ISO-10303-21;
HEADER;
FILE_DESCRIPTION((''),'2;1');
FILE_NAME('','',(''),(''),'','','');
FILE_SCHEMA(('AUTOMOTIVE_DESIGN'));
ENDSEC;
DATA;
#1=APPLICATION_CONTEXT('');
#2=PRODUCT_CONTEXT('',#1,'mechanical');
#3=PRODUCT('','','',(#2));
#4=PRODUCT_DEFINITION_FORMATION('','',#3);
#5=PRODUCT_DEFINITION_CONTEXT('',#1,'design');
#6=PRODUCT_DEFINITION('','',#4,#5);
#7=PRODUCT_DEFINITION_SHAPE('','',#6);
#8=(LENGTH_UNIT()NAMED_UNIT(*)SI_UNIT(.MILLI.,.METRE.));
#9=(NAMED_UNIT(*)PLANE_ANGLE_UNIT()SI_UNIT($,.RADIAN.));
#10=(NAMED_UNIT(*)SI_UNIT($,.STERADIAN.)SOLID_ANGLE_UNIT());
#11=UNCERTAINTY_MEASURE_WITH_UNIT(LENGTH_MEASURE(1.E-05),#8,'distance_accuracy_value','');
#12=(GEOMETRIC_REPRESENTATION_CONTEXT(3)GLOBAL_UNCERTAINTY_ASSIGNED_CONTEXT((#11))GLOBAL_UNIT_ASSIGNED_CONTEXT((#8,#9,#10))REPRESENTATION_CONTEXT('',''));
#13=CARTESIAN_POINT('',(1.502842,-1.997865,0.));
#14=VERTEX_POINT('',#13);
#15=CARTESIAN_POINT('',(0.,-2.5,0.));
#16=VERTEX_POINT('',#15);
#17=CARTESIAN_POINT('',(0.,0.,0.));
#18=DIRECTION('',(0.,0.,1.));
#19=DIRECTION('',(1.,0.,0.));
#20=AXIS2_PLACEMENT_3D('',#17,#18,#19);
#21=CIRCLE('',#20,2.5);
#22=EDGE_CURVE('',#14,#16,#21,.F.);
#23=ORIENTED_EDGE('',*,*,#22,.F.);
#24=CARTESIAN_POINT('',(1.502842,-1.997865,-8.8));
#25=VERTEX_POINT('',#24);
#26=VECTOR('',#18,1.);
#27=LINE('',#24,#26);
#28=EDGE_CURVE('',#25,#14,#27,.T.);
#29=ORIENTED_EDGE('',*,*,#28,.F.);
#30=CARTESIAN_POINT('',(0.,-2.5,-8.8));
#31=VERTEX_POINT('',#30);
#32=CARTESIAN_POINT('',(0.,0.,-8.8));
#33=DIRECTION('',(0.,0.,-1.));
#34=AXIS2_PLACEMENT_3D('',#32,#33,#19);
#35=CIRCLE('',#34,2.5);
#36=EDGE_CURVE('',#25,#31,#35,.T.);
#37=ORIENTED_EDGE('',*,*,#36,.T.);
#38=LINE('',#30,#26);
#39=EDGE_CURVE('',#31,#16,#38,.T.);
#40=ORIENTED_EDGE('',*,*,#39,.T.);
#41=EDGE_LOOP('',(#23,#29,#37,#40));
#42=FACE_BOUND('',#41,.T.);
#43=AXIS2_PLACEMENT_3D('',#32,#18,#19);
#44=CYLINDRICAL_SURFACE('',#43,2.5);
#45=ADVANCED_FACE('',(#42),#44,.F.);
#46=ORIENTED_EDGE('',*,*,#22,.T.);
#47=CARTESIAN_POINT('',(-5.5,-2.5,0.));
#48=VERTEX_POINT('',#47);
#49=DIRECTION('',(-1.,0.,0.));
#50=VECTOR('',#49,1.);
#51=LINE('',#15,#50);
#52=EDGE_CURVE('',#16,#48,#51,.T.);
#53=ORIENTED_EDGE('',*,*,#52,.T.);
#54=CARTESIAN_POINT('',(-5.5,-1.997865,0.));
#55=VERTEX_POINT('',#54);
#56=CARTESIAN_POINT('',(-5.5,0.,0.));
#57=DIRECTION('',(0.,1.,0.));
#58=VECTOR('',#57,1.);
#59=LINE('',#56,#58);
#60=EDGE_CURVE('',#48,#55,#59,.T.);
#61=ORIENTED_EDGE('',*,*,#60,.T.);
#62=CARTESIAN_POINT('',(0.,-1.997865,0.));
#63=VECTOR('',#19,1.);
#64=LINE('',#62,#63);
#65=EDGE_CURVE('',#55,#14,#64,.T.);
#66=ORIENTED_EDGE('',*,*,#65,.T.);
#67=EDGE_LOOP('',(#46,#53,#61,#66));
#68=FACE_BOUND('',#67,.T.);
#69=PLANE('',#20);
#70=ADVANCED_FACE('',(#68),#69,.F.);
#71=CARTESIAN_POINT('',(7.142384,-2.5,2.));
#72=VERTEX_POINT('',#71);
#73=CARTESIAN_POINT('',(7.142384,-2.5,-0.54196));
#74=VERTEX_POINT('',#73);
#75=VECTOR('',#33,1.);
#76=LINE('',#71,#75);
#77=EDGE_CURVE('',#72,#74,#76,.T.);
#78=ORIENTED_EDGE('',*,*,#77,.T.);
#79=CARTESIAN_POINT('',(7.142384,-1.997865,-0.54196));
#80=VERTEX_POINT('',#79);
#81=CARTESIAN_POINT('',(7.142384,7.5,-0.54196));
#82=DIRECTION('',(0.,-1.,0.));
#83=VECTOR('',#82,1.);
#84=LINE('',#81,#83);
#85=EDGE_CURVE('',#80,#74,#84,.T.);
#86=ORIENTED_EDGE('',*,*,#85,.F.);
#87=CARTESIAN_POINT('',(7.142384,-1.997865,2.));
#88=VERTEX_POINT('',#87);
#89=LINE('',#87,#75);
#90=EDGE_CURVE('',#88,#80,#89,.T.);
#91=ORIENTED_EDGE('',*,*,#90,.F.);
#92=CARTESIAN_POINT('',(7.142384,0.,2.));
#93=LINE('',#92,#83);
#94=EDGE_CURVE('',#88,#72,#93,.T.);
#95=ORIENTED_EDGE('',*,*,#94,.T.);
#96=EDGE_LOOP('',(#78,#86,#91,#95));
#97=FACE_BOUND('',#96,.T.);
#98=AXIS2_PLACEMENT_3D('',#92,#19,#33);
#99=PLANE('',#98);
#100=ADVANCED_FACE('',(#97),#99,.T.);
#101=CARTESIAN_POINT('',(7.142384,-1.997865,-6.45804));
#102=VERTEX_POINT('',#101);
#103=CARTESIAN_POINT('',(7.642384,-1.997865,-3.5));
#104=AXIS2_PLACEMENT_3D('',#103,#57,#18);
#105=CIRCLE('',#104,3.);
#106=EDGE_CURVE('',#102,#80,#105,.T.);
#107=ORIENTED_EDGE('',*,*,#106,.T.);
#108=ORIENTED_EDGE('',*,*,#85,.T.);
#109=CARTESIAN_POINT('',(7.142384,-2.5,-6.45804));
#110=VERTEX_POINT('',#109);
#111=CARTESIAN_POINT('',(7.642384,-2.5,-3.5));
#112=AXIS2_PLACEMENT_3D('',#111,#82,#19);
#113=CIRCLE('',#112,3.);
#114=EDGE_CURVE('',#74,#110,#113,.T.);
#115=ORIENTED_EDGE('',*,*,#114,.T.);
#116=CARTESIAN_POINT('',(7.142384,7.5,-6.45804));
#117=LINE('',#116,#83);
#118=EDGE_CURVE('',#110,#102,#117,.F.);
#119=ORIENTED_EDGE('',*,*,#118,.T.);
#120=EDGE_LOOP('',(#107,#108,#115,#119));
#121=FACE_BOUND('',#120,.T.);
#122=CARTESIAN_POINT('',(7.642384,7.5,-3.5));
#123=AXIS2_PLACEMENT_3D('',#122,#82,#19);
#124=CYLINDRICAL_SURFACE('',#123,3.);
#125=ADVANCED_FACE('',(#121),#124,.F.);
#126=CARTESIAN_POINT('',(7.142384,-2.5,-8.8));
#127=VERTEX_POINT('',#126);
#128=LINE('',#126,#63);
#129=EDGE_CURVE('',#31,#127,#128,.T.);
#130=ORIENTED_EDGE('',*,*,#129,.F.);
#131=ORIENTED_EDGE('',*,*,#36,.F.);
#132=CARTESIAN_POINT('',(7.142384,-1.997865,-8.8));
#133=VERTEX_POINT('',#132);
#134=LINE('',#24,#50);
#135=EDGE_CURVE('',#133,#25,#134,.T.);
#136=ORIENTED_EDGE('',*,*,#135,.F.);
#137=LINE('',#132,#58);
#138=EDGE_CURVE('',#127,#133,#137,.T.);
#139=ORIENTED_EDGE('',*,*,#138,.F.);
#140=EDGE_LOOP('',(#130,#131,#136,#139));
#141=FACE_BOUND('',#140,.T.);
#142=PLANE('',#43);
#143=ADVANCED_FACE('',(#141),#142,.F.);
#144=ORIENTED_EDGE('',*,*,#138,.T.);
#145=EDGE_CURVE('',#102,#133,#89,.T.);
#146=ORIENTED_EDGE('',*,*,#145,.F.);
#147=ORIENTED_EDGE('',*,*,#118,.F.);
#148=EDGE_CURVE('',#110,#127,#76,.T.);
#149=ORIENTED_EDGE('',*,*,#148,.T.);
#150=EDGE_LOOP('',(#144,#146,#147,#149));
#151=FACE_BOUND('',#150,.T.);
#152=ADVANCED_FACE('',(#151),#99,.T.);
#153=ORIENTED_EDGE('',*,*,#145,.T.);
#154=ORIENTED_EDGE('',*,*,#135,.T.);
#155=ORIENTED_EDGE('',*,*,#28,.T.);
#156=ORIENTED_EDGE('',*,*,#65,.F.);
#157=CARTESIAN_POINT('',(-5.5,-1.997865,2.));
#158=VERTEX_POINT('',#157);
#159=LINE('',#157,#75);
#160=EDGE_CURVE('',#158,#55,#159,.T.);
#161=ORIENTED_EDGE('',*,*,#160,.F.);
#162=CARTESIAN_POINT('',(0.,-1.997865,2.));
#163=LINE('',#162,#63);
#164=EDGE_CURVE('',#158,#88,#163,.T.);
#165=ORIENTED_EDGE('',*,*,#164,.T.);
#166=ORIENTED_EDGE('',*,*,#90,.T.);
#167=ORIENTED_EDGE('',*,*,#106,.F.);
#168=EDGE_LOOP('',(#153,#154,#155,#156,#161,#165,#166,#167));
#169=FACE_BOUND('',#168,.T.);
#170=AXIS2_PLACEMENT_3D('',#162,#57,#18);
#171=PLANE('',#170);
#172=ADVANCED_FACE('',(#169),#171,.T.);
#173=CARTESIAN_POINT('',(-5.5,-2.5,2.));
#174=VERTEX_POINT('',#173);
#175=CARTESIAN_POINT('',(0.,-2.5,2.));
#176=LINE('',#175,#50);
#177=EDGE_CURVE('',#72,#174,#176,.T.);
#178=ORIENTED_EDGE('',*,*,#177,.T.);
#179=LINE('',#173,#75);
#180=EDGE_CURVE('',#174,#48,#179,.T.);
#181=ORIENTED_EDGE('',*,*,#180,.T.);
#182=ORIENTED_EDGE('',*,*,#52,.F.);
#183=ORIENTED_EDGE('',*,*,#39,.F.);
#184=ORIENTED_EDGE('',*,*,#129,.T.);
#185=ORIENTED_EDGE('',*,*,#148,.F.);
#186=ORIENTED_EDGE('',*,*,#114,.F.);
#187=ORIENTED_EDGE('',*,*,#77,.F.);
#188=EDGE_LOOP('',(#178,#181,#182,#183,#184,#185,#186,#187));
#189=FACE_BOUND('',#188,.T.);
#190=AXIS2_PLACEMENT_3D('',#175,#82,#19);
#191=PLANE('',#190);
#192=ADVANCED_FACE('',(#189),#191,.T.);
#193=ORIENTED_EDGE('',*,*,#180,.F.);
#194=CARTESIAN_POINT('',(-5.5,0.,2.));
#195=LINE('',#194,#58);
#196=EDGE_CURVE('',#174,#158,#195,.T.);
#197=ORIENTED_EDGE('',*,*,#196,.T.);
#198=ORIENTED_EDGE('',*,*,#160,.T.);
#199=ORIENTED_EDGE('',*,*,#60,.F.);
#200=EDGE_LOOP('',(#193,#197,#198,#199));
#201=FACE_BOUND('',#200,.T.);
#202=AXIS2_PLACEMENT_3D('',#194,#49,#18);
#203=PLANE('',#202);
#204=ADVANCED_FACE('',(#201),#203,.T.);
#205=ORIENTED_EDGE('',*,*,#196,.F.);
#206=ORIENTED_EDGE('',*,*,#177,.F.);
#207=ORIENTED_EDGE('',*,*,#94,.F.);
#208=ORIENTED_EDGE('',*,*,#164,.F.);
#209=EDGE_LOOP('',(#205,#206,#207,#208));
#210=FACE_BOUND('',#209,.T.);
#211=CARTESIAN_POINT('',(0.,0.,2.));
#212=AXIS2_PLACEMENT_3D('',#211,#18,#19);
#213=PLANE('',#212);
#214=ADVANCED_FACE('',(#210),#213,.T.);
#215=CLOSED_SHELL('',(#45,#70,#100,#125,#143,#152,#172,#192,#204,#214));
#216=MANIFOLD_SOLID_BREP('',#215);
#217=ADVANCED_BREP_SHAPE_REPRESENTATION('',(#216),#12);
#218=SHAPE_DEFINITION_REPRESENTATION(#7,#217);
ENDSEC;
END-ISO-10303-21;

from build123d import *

# Parameters (mm, degrees)
SKETCH_1_W          = 12.642384092
SKETCH_1_H          = 0.502134845
EXTRUDE_1_DEPTH     = 2
EXTRUDE_2_DEPTH     = 10.8
SKETCH_4_R          = 3
CUT_EXTRUDE_2_DEPTH = 10


with BuildPart() as part:
    # 스케치1 → 보스-돌출1 (new body)
    with BuildSketch(Plane.XY):
        with Locations((0.821192046, -2.248932578)):
            Rectangle(SKETCH_1_W, SKETCH_1_H)
    extrude(amount=EXTRUDE_1_DEPTH)

    # 스케치2 → 보스-돌출2 (add)
    with BuildSketch(Plane.XY.offset(2)):
        with BuildLine():
            Line((1.502842247, -1.997865155), (7.142384092, -1.997865155))
            Line((7.142384092, -1.997865155), (7.142384092, -2.5))
            Line((7.142384092, -2.5), (0, -2.5))
            ThreePointArc((0, -2.5), (0.79225536, -2.371145597), (1.502842247, -1.997865155))
        make_face()
    extrude(amount=-EXTRUDE_2_DEPTH)

    # 스케치4 → 컷-돌출2 (cut)
    with BuildSketch(Plane.XZ.offset(2.5)):
        with Locations((7.642384092, -3.5)):
            Circle(SKETCH_4_R)
    extrude(amount=-CUT_EXTRUDE_2_DEPTH, mode=Mode.SUBTRACT)


solid = part.part
